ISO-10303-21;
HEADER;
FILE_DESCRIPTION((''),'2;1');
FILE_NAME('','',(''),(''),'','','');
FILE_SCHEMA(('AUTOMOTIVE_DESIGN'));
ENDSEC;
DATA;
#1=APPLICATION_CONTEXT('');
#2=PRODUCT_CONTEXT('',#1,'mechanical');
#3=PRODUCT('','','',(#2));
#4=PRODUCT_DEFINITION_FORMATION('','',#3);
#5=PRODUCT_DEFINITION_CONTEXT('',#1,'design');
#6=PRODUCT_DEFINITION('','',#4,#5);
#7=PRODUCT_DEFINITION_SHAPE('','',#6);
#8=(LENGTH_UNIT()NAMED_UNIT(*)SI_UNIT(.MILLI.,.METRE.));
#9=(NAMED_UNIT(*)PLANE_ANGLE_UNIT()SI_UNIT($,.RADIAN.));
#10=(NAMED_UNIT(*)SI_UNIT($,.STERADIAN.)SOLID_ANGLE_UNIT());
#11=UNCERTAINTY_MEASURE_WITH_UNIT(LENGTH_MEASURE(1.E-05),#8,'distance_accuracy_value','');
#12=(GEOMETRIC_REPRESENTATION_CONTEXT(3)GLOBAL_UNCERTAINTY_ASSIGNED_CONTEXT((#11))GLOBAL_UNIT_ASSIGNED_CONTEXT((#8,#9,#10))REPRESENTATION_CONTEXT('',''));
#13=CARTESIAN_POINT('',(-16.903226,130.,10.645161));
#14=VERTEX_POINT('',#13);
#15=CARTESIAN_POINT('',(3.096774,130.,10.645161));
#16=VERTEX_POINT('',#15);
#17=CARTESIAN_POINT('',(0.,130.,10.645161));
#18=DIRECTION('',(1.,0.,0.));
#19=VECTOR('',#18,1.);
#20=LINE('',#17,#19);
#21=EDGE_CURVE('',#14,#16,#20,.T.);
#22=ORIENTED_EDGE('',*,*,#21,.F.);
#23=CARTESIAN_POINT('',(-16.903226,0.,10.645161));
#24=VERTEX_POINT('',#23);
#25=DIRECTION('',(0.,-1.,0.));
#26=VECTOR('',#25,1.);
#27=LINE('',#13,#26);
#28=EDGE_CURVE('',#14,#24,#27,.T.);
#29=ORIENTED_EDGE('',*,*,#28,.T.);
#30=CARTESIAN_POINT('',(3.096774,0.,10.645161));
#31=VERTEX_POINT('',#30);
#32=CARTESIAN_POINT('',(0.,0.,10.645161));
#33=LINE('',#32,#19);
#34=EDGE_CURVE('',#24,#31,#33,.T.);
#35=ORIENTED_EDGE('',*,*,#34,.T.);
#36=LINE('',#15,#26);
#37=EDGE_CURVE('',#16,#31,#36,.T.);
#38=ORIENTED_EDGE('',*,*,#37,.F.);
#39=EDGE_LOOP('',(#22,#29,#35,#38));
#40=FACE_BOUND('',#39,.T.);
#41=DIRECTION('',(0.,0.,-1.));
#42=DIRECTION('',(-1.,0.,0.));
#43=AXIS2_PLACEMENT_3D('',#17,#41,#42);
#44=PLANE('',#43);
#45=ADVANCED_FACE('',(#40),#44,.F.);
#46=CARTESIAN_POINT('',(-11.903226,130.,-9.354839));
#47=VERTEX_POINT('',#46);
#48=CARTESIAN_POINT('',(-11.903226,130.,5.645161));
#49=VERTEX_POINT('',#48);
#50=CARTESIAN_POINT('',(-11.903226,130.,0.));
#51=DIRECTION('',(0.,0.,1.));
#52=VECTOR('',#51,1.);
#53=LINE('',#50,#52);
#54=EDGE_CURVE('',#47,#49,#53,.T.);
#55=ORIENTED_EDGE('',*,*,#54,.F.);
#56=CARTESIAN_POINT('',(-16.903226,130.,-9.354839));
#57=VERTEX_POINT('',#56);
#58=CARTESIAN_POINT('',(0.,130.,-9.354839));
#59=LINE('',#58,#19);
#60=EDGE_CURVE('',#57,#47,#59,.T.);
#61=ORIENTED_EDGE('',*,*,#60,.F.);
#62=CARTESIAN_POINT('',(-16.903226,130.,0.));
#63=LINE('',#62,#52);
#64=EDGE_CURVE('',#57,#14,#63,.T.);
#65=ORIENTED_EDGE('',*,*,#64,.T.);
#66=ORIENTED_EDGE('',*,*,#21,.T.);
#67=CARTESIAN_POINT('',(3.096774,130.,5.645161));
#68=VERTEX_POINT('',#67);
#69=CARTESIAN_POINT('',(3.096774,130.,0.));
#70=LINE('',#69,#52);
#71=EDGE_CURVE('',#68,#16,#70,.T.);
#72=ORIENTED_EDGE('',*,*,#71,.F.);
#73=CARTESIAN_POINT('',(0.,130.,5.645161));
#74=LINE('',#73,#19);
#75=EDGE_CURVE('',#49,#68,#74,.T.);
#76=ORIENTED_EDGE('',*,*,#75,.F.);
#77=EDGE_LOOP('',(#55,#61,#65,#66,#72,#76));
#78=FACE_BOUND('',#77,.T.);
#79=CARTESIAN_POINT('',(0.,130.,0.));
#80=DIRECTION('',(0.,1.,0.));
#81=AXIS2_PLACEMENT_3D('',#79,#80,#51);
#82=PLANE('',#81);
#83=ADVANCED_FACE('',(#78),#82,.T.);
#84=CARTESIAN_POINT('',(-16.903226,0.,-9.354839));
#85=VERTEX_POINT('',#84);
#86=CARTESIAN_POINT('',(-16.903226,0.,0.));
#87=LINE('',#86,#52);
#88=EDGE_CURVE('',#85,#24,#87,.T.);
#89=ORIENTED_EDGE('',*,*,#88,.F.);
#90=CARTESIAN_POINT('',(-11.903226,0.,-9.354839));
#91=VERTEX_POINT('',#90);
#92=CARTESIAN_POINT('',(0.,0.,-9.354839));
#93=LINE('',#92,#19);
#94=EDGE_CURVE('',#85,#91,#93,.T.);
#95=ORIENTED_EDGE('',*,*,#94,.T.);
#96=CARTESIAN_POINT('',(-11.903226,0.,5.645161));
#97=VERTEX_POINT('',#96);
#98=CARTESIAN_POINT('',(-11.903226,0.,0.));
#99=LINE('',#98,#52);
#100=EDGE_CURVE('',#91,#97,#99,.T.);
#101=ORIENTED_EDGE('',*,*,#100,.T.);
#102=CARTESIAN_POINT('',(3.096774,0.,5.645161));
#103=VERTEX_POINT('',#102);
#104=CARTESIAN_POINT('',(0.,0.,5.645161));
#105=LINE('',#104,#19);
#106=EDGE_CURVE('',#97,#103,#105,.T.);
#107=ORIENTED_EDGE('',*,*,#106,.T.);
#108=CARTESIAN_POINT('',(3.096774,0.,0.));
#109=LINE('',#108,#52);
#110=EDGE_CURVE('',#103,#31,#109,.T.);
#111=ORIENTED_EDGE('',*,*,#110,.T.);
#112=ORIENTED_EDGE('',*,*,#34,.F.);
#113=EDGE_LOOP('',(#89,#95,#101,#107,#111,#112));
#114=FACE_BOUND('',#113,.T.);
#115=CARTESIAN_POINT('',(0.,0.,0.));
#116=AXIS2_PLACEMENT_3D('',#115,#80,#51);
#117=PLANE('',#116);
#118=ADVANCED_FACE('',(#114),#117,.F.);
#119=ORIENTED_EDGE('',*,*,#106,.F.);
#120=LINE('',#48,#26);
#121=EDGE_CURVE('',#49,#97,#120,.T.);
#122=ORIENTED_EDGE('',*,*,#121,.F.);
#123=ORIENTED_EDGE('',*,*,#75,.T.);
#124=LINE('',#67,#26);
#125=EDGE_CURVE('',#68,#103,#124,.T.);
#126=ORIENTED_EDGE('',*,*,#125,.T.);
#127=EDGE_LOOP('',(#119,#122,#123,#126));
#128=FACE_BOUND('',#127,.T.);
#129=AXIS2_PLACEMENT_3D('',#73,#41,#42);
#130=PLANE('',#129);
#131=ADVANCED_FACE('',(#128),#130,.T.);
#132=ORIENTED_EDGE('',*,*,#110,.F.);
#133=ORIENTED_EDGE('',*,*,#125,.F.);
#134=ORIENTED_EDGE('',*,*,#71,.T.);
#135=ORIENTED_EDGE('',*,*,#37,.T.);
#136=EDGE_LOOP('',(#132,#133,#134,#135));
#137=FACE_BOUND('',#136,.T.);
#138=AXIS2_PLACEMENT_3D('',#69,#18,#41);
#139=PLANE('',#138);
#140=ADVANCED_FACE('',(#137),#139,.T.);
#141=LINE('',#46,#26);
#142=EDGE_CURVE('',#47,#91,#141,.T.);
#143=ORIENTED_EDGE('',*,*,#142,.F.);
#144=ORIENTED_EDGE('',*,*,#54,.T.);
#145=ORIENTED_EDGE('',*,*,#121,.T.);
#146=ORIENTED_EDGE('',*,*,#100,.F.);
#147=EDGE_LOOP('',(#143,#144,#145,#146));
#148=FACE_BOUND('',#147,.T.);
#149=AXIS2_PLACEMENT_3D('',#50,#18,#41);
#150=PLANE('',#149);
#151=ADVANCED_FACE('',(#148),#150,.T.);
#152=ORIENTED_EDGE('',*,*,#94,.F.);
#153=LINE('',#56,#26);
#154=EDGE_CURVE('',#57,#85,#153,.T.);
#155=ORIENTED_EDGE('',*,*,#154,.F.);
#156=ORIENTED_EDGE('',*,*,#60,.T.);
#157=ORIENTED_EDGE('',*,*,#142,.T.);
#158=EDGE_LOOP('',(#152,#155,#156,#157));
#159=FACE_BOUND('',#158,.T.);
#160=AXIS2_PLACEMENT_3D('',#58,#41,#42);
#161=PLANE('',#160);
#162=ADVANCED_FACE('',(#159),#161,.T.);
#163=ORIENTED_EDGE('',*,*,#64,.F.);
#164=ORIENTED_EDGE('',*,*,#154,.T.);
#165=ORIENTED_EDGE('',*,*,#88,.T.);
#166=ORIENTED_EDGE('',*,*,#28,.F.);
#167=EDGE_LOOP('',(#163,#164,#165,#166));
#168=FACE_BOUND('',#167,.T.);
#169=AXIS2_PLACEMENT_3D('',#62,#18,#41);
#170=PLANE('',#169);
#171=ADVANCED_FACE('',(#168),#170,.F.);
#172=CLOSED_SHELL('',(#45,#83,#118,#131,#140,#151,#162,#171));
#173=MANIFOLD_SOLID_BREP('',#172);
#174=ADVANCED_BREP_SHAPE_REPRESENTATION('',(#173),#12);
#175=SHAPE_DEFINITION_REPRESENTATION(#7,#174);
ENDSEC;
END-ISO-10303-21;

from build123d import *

# Parameters (mm, degrees)
BOSS_EXTRUDE1_DEPTH = 130


with BuildPart() as part:
    # Sketch1 → Boss-Extrude1 (new body)
    with BuildSketch(Plane(origin=(0, 0, 0), x_dir=(1, 0, 0), z_dir=(0, 1, 0))):
        Polygon((-11.903225806, 9.35483871), (-16.903225806, 9.35483871), (-16.903225806, -4.64516129), (-16.903225806, -10.64516129), (-8.580645161, -10.64516129), (3.096774194, -10.64516129), (3.096774194, -5.64516129), (-11.903225806, -5.64516129), align=None)
    extrude(amount=BOSS_EXTRUDE1_DEPTH)


solid = part.part
